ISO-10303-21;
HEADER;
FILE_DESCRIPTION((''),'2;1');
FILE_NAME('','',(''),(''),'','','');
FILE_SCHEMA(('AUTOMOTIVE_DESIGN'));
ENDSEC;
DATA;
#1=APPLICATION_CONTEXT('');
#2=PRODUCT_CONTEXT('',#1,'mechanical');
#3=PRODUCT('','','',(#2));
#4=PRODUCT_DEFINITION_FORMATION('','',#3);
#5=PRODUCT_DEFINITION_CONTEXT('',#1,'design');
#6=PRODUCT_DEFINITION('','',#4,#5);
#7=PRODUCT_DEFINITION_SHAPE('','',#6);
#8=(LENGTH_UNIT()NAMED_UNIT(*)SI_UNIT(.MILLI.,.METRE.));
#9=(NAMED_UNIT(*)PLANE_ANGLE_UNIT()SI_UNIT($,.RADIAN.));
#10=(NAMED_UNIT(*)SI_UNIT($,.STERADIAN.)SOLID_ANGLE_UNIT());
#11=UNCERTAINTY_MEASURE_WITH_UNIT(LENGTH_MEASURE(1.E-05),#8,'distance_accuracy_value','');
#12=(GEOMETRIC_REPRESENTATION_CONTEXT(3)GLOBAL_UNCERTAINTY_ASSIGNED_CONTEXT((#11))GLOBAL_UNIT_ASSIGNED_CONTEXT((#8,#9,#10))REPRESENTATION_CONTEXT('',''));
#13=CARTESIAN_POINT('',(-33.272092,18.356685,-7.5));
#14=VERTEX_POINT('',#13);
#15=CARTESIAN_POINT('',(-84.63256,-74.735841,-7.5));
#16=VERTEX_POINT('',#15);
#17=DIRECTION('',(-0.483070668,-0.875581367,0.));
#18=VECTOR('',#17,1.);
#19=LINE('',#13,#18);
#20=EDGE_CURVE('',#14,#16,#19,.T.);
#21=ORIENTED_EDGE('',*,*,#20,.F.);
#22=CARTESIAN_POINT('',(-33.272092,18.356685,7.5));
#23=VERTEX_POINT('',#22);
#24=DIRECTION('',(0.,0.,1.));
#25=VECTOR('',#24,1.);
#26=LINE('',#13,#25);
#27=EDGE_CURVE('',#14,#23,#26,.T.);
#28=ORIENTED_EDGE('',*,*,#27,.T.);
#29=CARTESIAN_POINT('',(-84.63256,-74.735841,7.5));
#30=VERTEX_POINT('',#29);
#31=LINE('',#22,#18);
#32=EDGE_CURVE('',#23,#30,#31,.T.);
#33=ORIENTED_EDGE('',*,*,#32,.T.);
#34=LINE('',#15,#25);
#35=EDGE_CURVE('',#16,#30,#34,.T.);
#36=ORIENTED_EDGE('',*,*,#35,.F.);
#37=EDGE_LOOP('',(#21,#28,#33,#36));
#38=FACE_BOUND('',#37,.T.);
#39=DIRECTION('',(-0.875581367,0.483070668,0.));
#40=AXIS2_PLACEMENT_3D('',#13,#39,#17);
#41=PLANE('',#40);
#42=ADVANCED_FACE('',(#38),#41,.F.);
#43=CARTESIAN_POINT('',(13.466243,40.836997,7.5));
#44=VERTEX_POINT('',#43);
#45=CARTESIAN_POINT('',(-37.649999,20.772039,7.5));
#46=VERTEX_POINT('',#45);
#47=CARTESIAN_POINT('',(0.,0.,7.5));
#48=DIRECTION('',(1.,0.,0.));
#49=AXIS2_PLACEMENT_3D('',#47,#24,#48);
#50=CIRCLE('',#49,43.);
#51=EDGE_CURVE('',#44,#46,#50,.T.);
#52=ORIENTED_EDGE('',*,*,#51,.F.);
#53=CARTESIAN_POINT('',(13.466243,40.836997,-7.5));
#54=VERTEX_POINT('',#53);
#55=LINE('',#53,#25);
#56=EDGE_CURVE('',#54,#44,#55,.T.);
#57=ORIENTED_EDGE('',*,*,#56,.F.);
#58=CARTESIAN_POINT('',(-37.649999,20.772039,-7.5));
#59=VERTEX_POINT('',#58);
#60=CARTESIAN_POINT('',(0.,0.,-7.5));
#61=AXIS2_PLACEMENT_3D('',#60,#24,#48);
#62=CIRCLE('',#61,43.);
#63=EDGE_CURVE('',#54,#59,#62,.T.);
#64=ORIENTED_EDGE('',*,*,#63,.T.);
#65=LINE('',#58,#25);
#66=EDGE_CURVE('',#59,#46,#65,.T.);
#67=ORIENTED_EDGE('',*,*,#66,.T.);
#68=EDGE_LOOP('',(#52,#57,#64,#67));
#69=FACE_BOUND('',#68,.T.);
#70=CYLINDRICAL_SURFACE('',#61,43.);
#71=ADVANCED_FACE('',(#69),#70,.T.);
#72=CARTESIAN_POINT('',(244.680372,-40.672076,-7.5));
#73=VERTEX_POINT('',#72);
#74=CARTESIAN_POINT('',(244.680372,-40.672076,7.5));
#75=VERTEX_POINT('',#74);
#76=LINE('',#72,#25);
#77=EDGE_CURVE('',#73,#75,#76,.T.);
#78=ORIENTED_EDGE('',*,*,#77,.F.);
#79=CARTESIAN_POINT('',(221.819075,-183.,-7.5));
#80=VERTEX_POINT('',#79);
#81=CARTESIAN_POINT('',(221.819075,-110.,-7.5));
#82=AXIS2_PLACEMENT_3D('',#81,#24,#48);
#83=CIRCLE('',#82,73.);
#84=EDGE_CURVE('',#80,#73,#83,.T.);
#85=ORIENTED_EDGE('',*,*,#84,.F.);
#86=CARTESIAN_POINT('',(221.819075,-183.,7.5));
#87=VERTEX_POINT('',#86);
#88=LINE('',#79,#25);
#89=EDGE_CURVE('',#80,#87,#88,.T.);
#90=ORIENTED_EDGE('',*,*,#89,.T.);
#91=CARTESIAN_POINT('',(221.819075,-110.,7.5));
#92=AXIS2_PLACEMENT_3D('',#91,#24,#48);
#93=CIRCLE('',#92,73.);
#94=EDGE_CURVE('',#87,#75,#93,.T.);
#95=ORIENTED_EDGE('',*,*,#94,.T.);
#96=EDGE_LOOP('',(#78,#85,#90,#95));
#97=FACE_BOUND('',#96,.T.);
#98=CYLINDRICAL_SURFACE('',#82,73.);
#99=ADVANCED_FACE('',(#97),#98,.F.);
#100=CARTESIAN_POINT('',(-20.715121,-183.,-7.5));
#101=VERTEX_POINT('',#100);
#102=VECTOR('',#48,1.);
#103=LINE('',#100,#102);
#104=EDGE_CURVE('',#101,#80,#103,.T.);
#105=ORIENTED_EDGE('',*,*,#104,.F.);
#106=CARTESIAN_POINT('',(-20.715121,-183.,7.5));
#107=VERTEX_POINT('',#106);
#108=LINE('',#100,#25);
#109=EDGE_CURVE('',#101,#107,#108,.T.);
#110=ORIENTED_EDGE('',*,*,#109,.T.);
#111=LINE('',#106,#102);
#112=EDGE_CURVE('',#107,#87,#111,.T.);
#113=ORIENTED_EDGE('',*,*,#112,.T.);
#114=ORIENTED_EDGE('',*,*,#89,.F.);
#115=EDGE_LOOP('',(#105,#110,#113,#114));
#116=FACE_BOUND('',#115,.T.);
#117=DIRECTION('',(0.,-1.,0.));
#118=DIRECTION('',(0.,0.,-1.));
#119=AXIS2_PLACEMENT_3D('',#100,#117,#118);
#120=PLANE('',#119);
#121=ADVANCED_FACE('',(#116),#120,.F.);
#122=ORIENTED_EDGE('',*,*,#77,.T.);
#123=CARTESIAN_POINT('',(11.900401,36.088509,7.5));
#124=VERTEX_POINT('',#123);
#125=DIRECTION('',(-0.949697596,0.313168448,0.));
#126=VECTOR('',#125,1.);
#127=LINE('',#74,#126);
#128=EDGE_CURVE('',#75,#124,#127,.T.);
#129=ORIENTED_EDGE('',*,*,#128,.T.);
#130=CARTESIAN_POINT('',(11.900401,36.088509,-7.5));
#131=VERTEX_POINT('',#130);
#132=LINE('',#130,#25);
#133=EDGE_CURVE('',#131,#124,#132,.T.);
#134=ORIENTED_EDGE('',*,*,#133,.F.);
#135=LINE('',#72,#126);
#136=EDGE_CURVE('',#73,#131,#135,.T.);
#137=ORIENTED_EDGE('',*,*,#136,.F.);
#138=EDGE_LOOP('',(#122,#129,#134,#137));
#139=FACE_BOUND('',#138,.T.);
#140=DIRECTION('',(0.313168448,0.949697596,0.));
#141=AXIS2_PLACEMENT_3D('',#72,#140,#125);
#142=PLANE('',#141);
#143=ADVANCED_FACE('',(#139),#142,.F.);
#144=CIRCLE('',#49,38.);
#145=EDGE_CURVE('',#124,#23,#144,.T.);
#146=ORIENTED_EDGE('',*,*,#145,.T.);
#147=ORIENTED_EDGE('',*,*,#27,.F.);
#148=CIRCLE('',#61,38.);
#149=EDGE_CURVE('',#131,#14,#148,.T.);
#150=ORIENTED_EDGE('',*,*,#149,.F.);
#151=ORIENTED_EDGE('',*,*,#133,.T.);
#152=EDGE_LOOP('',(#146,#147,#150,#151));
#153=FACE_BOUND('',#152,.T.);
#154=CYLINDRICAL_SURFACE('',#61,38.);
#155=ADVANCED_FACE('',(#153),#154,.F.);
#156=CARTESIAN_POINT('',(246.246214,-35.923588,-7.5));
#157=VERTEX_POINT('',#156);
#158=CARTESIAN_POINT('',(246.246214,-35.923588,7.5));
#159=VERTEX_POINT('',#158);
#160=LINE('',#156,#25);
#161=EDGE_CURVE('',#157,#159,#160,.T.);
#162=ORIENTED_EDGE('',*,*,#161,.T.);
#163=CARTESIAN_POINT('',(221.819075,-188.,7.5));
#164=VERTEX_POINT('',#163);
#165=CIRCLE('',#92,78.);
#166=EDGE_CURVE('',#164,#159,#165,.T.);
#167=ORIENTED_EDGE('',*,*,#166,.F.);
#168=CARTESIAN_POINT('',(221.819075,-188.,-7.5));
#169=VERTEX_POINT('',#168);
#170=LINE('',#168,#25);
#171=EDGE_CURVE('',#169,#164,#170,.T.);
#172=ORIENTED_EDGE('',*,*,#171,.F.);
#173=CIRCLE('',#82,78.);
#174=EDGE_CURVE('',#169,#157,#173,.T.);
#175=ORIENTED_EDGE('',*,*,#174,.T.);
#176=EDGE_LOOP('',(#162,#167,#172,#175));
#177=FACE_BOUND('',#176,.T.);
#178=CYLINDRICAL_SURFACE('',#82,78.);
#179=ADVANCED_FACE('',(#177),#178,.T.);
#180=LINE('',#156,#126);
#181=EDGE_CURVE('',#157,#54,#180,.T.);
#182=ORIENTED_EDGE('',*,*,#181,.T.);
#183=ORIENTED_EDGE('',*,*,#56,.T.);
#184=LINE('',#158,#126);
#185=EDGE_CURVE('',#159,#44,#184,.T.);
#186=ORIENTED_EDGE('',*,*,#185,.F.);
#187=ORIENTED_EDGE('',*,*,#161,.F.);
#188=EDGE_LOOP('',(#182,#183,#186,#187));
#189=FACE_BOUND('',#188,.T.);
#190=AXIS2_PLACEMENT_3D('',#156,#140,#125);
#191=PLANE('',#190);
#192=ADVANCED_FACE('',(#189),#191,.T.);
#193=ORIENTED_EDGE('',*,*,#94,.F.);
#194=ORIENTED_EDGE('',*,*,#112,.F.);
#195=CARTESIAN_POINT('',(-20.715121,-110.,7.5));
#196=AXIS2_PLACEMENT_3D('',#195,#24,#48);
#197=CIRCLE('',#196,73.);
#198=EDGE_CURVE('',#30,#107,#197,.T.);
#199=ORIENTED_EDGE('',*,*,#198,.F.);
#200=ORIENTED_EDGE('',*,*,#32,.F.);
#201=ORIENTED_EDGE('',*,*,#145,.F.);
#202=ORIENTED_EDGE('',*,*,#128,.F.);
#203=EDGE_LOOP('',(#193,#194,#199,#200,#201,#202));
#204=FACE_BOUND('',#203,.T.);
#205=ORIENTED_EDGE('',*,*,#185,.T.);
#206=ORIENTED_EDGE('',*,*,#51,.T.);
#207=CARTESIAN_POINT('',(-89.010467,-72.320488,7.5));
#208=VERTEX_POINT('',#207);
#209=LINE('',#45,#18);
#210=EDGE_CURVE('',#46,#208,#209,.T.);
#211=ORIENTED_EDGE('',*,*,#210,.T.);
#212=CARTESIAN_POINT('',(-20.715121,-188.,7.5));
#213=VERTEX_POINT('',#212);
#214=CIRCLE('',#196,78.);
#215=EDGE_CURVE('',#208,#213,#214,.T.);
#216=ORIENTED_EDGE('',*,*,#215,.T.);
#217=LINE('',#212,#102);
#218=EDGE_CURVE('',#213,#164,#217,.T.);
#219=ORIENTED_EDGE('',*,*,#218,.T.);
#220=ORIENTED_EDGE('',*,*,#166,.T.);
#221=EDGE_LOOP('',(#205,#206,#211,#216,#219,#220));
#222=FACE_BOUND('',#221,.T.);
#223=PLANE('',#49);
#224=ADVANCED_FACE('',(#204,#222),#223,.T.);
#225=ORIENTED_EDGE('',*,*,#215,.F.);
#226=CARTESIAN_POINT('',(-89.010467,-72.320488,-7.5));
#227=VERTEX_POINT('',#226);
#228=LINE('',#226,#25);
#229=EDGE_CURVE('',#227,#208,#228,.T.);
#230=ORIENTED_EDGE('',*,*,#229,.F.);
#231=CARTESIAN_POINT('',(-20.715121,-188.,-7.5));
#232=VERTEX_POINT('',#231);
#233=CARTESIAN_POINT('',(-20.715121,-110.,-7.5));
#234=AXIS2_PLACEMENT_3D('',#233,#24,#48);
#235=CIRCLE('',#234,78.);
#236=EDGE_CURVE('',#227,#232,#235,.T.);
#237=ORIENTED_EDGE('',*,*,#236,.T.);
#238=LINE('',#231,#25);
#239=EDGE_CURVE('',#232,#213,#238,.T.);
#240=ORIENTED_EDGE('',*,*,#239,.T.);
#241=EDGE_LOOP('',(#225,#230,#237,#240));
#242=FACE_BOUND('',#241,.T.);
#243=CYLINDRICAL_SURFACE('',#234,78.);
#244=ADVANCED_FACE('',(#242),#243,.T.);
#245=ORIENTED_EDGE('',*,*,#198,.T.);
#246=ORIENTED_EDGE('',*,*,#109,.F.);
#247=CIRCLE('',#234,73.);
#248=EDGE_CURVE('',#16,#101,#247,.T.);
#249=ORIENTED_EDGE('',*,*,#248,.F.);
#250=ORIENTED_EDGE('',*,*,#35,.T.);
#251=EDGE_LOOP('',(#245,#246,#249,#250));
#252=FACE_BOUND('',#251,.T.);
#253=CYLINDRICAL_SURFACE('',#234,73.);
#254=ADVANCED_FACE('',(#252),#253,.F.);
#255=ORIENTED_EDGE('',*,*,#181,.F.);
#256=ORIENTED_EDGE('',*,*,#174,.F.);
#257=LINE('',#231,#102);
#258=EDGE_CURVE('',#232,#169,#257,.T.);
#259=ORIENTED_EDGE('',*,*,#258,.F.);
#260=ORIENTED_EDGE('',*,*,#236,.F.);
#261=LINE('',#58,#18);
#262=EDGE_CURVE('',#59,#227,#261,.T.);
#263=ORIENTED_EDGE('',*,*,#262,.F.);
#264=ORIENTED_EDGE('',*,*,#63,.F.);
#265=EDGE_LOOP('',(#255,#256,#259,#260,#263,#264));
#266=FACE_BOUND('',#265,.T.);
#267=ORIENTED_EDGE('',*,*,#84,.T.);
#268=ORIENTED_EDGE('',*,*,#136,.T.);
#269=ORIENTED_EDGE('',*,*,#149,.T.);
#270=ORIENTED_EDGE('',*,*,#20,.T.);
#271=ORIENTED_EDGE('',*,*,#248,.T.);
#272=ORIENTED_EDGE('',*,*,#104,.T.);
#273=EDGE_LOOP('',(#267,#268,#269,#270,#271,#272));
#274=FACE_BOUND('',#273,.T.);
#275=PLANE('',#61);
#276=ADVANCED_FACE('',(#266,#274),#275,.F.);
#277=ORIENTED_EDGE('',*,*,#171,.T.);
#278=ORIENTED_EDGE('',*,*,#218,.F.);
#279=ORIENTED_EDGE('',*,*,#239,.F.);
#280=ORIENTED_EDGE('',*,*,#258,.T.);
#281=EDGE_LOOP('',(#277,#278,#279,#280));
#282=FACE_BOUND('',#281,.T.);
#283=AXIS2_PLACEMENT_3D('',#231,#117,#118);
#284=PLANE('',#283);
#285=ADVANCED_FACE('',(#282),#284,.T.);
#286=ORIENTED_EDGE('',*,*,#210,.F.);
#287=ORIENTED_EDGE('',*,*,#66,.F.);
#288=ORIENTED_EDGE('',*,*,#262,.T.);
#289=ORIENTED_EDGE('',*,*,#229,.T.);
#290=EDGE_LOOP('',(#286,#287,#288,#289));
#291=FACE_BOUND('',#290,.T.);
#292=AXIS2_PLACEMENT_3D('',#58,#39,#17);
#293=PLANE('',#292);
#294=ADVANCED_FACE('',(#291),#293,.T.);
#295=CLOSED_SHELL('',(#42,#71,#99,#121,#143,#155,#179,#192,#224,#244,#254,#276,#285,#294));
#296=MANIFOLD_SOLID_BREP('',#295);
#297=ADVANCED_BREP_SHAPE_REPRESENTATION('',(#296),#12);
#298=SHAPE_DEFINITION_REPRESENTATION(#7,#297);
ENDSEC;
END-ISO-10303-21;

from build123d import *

# Parameters (mm, degrees)
EXTRUDE_THIN1_DEPTH      = 7.5
EXTRUDE_THIN1_DEPTH_BACK = 7.5


with BuildPart() as part:
    # Sketch2 → Extrude-Thin1 (new, two sides)
    with BuildSketch(Plane.XY) as extrude_thin1_sk:
        with BuildLine():
            Line((246.24621437, -35.923587532), (13.466243252, 40.836996617))
            ThreePointArc((13.466243252, 40.836996617), (-15.71191081, 40.02668933), (-37.64999876, 20.772038739))
            Line((-37.64999876, 20.772038739), (-89.010467091, -72.320487869))
            ThreePointArc((-89.010467091, -72.320487869), (-87.882828318, -149.654747848), (-20.715120503, -188))
            Line((-20.715120503, -188), (221.819075448, -188))
            ThreePointArc((221.819075448, -188), (298.831932078, -122.370121817), (246.24621437, -35.923587532))
        make_face()
        with BuildLine():
            Line((244.680372131, -40.672075511), (11.900401013, 36.088508638))
            ThreePointArc((11.900401013, 36.088508638), (-13.884944436, 35.372423129), (-33.272091928, 18.356685397))
            Line((-33.272091928, 18.356685397), (-84.632560259, -74.735841211))
            ThreePointArc((-84.632560259, -74.735841211), (-83.577206022, -147.112776832), (-20.715120503, -183))
            Line((-20.715120503, -183), (221.819075448, -183))
            ThreePointArc((221.819075448, -183), (293.895210499, -121.57716529), (244.680372131, -40.672075511))
        make_face(mode=Mode.SUBTRACT)
    extrude(amount=EXTRUDE_THIN1_DEPTH)
    extrude(extrude_thin1_sk.sketch, amount=-EXTRUDE_THIN1_DEPTH_BACK)


solid = part.part
